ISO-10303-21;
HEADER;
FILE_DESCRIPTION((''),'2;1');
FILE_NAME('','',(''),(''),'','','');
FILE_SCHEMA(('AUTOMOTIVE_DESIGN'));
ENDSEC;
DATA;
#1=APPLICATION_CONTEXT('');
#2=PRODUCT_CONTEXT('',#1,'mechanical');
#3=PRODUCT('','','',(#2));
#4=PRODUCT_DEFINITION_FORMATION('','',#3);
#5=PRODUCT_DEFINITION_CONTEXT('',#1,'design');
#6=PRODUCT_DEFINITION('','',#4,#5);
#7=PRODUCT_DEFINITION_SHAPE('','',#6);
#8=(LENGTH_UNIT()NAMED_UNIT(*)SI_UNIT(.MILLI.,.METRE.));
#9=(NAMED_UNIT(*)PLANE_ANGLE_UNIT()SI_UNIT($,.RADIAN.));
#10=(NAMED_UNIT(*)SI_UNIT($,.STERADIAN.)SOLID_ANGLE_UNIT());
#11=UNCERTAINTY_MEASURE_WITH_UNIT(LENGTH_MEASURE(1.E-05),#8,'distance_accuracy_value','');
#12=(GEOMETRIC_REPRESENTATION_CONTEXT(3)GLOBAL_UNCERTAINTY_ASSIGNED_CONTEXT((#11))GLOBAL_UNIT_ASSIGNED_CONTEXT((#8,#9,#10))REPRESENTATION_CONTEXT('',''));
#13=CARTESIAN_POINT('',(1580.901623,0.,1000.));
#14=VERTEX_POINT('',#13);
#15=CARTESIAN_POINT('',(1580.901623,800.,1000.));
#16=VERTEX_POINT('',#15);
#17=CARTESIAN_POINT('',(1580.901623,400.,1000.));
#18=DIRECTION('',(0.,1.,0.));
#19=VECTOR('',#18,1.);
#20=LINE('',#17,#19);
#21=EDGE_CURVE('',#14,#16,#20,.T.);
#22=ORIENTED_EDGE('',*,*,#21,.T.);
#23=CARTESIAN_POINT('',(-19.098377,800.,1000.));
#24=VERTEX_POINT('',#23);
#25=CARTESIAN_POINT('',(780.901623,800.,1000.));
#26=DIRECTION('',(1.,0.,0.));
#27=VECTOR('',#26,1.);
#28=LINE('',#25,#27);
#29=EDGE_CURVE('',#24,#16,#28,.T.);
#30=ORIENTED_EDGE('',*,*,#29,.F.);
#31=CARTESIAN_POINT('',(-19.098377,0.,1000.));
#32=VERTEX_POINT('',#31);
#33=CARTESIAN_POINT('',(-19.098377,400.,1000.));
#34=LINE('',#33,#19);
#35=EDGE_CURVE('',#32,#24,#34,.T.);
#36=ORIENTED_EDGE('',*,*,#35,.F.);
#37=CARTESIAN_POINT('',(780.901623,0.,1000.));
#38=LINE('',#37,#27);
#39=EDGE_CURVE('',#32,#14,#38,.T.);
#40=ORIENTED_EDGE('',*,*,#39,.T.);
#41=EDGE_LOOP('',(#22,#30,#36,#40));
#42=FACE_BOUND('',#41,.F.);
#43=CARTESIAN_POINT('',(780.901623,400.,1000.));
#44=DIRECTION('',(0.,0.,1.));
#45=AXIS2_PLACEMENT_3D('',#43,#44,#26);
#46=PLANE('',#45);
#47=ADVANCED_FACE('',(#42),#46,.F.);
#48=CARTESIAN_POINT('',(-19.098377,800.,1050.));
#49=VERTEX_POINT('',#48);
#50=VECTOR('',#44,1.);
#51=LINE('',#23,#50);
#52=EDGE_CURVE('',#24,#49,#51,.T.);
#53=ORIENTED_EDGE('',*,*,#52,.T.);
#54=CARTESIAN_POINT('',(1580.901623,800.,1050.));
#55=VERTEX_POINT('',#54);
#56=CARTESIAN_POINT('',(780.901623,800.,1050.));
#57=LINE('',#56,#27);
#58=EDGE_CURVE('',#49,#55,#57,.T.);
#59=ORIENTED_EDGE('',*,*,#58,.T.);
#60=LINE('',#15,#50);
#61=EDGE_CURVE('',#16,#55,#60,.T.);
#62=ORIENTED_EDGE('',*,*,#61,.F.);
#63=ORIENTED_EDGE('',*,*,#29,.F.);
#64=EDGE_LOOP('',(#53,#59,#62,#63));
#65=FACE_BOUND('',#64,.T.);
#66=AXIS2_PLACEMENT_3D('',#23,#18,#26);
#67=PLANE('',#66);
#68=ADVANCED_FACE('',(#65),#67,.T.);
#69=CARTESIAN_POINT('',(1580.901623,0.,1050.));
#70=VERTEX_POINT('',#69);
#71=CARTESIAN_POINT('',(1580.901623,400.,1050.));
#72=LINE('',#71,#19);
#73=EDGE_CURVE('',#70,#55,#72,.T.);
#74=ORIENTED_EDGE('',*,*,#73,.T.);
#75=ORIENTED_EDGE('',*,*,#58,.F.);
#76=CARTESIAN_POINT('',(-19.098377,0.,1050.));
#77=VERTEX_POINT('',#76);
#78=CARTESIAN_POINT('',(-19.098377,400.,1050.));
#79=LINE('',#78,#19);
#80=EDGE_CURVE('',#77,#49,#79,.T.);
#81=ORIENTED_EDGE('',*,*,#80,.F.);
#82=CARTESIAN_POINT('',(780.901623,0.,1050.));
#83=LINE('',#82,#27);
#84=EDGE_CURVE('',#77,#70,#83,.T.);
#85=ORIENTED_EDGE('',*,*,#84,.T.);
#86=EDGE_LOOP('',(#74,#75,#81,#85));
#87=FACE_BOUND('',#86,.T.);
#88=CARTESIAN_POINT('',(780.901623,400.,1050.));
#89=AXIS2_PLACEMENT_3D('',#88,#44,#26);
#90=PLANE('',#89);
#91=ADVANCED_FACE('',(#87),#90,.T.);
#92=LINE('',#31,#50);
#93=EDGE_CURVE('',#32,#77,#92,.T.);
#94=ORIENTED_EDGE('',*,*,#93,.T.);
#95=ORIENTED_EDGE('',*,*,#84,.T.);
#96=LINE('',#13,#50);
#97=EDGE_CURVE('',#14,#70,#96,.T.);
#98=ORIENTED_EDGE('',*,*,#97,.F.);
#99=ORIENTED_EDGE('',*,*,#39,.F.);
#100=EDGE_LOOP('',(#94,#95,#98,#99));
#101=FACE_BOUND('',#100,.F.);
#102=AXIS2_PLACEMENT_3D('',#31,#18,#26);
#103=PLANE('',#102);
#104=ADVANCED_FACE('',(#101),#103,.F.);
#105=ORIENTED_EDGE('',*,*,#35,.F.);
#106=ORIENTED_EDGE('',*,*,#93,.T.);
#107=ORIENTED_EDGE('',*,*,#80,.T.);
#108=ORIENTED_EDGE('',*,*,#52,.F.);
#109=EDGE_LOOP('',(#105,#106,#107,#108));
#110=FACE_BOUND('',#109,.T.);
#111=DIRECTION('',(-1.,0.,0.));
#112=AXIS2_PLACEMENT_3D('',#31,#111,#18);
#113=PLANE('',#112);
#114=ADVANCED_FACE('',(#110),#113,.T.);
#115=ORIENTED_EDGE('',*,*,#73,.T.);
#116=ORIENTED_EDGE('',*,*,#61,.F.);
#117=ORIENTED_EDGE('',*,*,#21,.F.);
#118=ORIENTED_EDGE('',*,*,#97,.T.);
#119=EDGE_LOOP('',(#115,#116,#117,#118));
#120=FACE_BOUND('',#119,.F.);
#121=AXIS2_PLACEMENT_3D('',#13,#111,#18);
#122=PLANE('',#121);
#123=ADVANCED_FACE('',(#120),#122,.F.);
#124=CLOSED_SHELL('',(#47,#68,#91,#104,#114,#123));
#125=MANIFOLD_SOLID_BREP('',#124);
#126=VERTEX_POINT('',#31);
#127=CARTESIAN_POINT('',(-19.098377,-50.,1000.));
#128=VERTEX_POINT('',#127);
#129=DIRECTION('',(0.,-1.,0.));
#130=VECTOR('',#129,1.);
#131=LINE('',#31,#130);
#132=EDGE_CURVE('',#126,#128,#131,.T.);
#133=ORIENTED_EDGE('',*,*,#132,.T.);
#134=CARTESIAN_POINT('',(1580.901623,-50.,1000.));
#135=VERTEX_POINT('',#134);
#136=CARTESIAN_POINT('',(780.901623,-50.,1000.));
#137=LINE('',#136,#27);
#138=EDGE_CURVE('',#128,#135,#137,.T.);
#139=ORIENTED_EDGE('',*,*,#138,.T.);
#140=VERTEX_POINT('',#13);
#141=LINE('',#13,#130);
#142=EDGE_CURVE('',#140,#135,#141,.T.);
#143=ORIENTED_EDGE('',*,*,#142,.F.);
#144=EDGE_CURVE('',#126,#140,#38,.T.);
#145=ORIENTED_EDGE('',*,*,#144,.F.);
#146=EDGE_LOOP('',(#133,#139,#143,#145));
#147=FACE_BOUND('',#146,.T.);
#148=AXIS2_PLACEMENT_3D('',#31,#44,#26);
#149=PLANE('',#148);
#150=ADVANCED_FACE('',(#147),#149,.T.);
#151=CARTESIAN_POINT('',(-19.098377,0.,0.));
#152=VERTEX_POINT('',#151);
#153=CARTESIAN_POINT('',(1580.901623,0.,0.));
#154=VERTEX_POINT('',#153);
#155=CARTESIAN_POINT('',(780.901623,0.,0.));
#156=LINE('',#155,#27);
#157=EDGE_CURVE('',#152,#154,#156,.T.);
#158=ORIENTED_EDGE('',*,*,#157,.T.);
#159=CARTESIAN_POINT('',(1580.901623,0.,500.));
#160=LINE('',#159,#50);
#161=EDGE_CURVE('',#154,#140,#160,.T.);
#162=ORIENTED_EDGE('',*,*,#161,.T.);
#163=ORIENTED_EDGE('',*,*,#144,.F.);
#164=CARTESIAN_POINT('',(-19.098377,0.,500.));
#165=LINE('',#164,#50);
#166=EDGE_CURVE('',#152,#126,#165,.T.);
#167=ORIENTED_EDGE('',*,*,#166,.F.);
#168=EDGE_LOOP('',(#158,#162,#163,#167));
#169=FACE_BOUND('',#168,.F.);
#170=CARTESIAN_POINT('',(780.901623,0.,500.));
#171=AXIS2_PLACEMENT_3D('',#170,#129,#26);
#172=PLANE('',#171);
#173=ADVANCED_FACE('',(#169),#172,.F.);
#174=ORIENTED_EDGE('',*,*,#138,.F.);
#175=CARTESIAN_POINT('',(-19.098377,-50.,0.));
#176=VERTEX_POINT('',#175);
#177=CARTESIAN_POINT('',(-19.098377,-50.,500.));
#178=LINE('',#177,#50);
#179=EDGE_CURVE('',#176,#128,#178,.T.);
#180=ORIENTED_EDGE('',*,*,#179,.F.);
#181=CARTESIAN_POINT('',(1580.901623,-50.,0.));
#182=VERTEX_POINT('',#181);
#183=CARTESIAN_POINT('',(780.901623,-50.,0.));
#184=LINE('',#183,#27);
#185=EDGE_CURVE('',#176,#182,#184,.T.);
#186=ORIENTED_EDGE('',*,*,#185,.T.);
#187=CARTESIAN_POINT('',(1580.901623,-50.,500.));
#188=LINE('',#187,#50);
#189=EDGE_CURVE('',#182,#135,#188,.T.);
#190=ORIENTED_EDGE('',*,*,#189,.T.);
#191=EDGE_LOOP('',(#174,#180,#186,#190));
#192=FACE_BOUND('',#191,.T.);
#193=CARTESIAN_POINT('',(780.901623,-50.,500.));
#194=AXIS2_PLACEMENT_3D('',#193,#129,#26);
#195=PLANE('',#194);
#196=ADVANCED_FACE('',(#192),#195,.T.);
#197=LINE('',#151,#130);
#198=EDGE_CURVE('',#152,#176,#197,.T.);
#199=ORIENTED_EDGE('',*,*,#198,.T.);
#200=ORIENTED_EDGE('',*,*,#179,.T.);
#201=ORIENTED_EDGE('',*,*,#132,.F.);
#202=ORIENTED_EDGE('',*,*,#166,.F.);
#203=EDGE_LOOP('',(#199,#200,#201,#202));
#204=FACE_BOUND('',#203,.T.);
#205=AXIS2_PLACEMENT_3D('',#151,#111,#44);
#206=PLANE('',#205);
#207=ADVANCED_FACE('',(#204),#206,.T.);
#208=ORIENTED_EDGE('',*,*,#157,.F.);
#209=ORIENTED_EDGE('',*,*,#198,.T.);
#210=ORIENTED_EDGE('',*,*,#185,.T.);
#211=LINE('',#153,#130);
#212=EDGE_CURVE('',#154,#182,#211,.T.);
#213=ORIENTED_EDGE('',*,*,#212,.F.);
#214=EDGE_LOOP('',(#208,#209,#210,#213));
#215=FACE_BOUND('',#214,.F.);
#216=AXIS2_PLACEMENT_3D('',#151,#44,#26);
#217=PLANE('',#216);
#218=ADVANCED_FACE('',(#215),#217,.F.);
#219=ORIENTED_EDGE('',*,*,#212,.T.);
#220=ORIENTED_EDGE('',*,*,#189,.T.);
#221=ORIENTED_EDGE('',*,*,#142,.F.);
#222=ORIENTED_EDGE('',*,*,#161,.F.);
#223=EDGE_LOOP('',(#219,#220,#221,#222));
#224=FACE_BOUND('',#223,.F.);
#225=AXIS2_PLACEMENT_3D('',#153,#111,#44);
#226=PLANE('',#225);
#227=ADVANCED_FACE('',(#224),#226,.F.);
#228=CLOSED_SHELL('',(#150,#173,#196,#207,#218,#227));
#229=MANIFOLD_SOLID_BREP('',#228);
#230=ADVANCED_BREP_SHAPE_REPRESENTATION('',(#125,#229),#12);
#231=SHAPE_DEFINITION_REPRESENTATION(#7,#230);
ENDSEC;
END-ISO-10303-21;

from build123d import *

# Parameters (mm, degrees)
F0_W     = 1600
F0_H     = 1000
F1_DEPTH = 50
F2_W     = 1600
F2_H     = 800
F3_DEPTH = 50


with BuildPart() as f1:
    # F0 (on Front) → F1 (new body)
    with BuildSketch(Plane.XZ):
        with Locations((780.901623, 500)):
            Rectangle(F0_W, F0_H)
    extrude(amount=F1_DEPTH)


with BuildPart() as f3:
    # F2 (on face) → F3 (new body)
    with BuildSketch(Plane.XY.offset(1000)):
        with Locations((780.901623, 400)):
            Rectangle(F2_W, F2_H)
    extrude(amount=F3_DEPTH)


solid = Compound([f1.part, f3.part])
